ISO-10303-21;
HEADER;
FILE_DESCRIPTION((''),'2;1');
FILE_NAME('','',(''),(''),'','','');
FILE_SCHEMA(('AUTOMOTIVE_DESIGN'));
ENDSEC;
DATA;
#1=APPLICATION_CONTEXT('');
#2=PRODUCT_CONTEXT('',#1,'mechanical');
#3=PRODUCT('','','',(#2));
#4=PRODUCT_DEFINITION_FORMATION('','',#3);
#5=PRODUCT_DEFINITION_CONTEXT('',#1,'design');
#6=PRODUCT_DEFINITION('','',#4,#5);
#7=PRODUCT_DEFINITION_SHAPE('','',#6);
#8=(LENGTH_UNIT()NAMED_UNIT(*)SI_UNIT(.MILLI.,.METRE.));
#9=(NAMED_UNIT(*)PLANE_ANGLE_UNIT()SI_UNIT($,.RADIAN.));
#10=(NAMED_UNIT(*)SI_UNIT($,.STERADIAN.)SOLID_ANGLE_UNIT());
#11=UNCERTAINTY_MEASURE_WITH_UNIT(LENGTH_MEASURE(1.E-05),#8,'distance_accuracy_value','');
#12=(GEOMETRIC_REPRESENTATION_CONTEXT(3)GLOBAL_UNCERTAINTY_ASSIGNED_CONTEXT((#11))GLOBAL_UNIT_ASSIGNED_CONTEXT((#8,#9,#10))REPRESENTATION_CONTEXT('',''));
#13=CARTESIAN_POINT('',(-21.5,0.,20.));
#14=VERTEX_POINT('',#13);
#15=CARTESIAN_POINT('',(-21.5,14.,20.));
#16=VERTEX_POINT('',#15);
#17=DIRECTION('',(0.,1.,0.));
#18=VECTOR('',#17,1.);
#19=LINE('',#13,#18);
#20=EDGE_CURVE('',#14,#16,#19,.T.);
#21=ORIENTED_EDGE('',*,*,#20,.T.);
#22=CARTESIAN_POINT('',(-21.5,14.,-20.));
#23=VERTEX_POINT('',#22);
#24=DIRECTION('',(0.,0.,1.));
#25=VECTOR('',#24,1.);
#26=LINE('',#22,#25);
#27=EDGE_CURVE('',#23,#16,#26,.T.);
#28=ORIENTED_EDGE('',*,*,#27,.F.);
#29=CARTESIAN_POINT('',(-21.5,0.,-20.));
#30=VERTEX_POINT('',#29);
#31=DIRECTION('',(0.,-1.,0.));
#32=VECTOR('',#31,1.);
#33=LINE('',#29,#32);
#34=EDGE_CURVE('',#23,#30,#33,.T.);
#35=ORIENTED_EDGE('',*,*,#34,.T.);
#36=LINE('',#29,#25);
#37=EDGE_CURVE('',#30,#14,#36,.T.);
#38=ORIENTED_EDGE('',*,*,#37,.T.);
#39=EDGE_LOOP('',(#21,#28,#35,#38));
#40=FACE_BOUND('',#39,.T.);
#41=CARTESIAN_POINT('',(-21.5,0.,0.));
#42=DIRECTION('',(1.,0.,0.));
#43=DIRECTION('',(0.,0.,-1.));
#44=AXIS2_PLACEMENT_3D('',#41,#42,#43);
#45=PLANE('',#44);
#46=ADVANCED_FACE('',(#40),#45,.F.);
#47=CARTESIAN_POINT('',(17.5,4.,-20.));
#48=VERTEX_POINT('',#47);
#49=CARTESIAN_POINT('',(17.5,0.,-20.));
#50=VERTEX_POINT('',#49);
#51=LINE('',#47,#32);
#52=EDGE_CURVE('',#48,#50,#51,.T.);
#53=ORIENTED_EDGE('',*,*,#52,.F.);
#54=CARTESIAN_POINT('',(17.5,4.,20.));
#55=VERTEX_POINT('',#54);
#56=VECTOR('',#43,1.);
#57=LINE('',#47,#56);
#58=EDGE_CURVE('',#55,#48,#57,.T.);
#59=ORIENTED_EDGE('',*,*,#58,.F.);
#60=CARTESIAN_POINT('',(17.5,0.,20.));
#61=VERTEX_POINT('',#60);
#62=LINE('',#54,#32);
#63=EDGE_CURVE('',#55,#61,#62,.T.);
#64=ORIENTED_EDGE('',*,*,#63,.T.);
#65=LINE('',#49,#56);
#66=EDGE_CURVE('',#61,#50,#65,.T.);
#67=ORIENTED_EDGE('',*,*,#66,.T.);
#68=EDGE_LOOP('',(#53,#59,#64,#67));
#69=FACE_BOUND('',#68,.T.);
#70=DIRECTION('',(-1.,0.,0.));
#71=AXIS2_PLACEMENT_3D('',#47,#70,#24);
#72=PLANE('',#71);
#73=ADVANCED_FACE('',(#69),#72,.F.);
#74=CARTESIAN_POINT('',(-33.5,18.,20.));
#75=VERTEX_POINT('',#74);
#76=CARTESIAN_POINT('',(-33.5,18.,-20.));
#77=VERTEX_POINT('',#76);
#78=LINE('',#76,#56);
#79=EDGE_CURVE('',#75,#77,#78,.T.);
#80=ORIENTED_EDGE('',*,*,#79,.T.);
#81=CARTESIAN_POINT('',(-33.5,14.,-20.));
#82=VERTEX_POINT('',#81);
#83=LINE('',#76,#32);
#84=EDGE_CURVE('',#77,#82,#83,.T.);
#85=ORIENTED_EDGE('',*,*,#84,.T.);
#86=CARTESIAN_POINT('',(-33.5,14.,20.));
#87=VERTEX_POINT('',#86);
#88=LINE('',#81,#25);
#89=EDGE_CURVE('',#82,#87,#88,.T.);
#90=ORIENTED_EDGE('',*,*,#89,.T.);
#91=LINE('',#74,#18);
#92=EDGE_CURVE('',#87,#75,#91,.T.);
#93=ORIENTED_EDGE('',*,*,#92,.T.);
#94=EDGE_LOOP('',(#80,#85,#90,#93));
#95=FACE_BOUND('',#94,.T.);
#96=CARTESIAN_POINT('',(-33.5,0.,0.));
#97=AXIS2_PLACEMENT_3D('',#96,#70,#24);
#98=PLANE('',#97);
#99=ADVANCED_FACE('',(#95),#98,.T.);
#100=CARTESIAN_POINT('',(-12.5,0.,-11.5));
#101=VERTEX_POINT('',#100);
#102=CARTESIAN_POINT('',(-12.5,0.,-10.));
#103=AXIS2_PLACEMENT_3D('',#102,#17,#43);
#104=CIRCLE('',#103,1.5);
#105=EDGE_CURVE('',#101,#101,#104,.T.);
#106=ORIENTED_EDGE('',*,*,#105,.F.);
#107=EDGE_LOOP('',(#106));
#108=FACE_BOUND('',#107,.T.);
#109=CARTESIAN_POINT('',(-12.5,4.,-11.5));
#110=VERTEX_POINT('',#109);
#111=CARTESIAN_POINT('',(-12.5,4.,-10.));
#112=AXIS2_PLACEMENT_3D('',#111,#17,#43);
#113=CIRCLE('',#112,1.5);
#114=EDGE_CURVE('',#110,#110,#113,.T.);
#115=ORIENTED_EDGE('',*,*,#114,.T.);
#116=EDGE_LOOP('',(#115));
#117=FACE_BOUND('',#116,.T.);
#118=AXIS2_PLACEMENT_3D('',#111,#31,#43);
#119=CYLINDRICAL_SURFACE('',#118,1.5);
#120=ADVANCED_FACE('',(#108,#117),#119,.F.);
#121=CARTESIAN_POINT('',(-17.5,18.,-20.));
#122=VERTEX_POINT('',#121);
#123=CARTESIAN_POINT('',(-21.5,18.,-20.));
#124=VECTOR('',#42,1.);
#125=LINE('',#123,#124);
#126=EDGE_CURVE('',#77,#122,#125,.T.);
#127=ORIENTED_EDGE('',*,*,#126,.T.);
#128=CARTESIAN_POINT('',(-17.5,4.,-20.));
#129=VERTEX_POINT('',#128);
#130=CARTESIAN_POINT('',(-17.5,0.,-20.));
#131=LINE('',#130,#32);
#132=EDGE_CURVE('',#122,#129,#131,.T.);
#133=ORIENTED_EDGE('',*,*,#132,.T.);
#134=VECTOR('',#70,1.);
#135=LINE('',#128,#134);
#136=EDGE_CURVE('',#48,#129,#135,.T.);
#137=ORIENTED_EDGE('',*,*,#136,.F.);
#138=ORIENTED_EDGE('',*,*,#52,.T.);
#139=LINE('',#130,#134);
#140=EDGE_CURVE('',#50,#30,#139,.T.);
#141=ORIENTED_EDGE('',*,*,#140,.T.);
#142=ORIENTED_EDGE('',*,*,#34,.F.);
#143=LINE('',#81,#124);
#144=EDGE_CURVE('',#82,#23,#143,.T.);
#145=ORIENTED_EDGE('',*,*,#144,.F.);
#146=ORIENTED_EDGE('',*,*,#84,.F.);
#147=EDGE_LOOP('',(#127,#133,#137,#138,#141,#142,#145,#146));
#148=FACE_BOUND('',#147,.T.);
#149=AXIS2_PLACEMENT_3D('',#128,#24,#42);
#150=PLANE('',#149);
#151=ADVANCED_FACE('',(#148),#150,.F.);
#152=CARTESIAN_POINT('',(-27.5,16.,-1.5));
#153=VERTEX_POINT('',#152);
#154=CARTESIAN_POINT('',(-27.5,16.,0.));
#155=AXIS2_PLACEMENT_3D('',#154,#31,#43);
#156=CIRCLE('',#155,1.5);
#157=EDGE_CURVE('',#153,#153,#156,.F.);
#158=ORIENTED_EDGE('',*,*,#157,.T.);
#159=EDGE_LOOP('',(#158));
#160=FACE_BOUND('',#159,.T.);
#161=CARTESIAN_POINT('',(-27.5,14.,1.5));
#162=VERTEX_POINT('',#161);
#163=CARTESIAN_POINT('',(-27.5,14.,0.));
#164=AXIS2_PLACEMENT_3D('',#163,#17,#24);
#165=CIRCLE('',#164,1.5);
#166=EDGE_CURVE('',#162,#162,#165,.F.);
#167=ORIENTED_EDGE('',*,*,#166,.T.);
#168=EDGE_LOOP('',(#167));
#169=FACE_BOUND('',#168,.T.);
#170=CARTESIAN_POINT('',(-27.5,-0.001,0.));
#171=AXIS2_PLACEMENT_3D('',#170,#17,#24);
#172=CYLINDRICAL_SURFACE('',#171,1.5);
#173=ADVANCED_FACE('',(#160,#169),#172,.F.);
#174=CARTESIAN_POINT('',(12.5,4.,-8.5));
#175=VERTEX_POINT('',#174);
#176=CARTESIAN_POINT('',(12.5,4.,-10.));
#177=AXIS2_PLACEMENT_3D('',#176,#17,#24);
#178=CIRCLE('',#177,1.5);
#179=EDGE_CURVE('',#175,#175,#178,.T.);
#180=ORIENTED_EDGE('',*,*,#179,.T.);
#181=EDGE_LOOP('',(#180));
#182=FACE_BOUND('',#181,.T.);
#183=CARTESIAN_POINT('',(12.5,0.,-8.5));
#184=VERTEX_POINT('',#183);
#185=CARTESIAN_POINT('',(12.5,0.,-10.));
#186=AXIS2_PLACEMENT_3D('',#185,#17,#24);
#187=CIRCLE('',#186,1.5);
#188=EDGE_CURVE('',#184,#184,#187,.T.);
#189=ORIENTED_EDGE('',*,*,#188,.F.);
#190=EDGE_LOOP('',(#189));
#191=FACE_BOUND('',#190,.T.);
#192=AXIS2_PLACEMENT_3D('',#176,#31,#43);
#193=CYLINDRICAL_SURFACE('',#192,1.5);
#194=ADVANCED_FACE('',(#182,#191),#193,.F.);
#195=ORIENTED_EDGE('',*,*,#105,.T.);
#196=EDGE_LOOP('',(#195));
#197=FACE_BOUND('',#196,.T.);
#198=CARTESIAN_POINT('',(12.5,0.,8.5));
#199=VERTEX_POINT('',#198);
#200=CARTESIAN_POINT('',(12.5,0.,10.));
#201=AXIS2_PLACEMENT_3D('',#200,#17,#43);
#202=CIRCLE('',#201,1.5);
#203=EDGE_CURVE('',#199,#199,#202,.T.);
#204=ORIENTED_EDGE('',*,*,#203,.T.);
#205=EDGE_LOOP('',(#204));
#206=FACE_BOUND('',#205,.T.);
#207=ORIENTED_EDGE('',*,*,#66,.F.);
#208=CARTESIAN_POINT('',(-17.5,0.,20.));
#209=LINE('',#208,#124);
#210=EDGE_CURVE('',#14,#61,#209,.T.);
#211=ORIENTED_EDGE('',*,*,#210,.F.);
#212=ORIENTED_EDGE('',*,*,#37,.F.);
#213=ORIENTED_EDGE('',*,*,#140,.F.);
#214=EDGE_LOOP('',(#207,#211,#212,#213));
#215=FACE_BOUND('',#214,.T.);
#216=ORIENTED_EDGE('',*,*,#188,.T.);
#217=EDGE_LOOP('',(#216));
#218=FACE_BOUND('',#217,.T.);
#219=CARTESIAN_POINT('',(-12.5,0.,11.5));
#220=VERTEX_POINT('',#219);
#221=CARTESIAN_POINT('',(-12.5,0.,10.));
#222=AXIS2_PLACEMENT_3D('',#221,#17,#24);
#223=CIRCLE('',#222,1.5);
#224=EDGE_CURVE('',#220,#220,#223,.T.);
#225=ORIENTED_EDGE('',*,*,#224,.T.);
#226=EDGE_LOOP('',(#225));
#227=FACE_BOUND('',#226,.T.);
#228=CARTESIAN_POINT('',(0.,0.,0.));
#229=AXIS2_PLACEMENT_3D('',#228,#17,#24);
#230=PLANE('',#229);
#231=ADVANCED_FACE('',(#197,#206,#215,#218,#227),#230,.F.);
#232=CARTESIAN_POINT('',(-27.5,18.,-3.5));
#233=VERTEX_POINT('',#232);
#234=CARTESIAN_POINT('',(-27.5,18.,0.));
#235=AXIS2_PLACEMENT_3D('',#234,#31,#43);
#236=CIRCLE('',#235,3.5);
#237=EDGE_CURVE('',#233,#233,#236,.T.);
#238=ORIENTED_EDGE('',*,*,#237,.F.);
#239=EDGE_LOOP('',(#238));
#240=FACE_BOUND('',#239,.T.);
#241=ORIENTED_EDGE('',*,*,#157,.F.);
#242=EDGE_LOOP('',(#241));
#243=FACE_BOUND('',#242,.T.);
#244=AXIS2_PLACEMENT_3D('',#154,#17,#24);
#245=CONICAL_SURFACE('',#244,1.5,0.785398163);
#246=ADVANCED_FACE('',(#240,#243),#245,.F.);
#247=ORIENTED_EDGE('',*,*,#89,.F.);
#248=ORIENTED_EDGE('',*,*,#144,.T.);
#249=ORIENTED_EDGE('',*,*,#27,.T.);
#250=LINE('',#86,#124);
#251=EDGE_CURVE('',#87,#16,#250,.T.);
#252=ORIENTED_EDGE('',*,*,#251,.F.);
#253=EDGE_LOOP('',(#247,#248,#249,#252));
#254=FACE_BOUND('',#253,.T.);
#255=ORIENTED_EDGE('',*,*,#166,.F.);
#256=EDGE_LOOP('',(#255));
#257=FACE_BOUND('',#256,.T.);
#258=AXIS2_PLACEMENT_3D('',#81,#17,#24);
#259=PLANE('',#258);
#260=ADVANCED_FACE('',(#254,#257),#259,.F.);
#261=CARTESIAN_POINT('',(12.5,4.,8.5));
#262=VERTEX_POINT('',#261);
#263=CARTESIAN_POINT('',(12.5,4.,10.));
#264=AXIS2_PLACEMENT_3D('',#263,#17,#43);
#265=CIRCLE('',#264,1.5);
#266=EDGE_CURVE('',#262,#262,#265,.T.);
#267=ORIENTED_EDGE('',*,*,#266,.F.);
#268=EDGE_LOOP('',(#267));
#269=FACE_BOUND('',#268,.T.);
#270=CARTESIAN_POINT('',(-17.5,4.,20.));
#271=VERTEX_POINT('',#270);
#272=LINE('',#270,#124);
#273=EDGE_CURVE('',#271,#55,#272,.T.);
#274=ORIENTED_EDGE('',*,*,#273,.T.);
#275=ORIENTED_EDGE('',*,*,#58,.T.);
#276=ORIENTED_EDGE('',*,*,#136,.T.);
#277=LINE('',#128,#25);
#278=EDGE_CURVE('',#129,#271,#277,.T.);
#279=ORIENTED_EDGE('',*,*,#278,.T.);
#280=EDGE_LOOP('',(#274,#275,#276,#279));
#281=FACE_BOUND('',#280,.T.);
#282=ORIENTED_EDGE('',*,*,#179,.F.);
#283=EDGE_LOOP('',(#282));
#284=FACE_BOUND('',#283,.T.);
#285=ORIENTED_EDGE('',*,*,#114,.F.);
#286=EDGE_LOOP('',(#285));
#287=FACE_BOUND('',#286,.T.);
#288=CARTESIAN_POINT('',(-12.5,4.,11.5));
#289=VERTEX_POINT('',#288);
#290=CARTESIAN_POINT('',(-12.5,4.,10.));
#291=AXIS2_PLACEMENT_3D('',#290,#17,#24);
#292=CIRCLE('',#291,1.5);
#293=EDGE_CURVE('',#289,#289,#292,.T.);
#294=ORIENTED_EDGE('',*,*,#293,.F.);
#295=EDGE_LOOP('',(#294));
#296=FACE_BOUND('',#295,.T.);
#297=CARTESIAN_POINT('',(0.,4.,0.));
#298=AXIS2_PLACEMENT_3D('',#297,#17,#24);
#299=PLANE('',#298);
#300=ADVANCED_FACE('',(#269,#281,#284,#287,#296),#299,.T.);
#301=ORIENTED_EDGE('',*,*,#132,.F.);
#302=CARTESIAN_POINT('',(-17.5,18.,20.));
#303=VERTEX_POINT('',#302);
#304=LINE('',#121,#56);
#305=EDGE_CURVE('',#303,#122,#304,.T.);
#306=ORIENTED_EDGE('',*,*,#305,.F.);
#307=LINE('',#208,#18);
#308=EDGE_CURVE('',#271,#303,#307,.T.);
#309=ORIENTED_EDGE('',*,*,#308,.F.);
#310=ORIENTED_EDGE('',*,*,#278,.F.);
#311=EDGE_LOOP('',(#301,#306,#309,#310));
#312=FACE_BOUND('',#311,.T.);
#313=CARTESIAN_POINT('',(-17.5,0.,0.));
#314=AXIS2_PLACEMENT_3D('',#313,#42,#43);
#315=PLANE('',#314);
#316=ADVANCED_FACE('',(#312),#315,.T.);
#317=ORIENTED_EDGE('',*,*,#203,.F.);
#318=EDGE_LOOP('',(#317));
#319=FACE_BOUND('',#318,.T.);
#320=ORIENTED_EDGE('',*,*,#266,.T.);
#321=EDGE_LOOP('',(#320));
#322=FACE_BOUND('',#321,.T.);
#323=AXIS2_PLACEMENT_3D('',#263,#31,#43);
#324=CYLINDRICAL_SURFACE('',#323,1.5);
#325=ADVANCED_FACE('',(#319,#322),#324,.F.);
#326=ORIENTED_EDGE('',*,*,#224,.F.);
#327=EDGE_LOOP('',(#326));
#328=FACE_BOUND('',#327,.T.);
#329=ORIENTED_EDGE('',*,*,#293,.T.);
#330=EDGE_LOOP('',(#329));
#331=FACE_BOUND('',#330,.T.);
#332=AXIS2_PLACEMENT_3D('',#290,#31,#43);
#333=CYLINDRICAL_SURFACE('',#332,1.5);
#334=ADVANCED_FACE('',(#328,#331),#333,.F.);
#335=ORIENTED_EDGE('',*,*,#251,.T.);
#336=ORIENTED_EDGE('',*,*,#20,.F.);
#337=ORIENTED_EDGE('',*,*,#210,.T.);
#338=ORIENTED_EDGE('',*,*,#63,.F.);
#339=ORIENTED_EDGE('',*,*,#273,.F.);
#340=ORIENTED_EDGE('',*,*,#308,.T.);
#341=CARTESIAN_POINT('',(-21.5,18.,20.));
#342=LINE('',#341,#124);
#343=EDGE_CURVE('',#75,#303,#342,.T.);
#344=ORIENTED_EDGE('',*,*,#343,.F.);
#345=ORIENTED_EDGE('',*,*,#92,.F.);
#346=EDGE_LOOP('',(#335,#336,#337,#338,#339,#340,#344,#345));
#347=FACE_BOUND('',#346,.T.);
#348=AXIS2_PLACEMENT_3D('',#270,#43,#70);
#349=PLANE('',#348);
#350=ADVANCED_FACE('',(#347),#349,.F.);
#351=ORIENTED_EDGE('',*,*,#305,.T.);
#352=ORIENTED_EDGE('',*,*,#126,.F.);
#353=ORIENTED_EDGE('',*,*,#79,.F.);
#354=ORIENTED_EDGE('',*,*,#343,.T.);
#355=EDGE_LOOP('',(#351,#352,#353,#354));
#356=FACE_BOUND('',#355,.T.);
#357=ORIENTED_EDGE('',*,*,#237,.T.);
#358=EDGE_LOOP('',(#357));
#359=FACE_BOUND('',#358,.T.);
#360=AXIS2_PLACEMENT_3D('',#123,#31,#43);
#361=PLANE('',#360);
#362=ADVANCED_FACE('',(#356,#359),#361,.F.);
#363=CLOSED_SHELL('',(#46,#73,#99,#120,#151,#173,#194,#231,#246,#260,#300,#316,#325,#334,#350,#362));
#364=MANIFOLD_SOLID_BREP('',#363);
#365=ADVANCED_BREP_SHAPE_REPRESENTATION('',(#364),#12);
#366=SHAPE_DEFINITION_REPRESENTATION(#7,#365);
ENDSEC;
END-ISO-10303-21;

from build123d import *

# Parameters (mm, degrees)
SKETCH_1_W          = 35
SKETCH_1_H          = 40
SKETCH_1_R          = 1.5
EXTRUDE_1_DEPTH     = 4
SKETCH_2_W          = 40
SKETCH_2_H          = 18
EXTRUDE_2_DEPTH     = 4
SKETCH_3_W          = 40
SKETCH_3_H          = 4
EXTRUDE_3_DEPTH     = 12
CUT_EXTRUDE_1_REACH = 44.968
SKETCH_4_R          = 1.5
CHAMFER_1_SIZE      = 2


with BuildPart() as part:
    # 草图1 → 凸台-拉伸1 (new body)
    with BuildSketch(Plane(origin=(0, 0, 0), x_dir=(1, 0, 0), z_dir=(0, 1, 0))):
        Rectangle(SKETCH_1_W, SKETCH_1_H)
        with Locations(Location((12.5, 10, 0), (0, 0, 270))):
            Circle(SKETCH_1_R, mode=Mode.SUBTRACT)
        with Locations(Location((-12.5, 10, 0), (0, 0, 90))):
            Circle(SKETCH_1_R, mode=Mode.SUBTRACT)
        with Locations(Location((-12.5, -10, 0), (0, 0, 270))):
            Circle(SKETCH_1_R, mode=Mode.SUBTRACT)
        with Locations(Location((12.5, -10, 0), (0, 0, 90))):
            Circle(SKETCH_1_R, mode=Mode.SUBTRACT)
    extrude(amount=EXTRUDE_1_DEPTH)

    # 草图2 → 凸台-拉伸2 (add)
    with BuildSketch(Plane.ZY.offset(17.5)):
        with Locations((0, 9)):
            Rectangle(SKETCH_2_W, SKETCH_2_H)
    extrude(amount=EXTRUDE_2_DEPTH)

    # 草图3 → 凸台-拉伸3 (add)
    with BuildSketch(Plane.ZY.offset(21.5)):
        with Locations((0, 16)):
            Rectangle(SKETCH_3_W, SKETCH_3_H)
    extrude(amount=EXTRUDE_3_DEPTH)

    # 草图4 → 切除-拉伸1 (cut, up to next)
    with BuildSketch(Plane(origin=(0, 18, 0), x_dir=(1, 0, 0), z_dir=(0, 1, 0)), mode=Mode.PRIVATE) as cut_extrude_1_sk1:
        with Locations(Location((-27.5, 0, 0), (0, 0, 270))):
            Circle(SKETCH_4_R)
    cut_extrude_1_tool1 = extrude(cut_extrude_1_sk1.sketch, amount=-CUT_EXTRUDE_1_REACH, mode=Mode.PRIVATE) & part.part
    add(cut_extrude_1_tool1.solids().sort_by_distance((-27.5, 18, 0))[0], mode=Mode.SUBTRACT)

    # 倒角1
    chamfer_1_edges = [part.edges().sort_by_distance(p)[0] for p in [
        (-27.5, 18, -1.5),
    ]]
    chamfer(chamfer_1_edges, length=CHAMFER_1_SIZE)


solid = part.part
